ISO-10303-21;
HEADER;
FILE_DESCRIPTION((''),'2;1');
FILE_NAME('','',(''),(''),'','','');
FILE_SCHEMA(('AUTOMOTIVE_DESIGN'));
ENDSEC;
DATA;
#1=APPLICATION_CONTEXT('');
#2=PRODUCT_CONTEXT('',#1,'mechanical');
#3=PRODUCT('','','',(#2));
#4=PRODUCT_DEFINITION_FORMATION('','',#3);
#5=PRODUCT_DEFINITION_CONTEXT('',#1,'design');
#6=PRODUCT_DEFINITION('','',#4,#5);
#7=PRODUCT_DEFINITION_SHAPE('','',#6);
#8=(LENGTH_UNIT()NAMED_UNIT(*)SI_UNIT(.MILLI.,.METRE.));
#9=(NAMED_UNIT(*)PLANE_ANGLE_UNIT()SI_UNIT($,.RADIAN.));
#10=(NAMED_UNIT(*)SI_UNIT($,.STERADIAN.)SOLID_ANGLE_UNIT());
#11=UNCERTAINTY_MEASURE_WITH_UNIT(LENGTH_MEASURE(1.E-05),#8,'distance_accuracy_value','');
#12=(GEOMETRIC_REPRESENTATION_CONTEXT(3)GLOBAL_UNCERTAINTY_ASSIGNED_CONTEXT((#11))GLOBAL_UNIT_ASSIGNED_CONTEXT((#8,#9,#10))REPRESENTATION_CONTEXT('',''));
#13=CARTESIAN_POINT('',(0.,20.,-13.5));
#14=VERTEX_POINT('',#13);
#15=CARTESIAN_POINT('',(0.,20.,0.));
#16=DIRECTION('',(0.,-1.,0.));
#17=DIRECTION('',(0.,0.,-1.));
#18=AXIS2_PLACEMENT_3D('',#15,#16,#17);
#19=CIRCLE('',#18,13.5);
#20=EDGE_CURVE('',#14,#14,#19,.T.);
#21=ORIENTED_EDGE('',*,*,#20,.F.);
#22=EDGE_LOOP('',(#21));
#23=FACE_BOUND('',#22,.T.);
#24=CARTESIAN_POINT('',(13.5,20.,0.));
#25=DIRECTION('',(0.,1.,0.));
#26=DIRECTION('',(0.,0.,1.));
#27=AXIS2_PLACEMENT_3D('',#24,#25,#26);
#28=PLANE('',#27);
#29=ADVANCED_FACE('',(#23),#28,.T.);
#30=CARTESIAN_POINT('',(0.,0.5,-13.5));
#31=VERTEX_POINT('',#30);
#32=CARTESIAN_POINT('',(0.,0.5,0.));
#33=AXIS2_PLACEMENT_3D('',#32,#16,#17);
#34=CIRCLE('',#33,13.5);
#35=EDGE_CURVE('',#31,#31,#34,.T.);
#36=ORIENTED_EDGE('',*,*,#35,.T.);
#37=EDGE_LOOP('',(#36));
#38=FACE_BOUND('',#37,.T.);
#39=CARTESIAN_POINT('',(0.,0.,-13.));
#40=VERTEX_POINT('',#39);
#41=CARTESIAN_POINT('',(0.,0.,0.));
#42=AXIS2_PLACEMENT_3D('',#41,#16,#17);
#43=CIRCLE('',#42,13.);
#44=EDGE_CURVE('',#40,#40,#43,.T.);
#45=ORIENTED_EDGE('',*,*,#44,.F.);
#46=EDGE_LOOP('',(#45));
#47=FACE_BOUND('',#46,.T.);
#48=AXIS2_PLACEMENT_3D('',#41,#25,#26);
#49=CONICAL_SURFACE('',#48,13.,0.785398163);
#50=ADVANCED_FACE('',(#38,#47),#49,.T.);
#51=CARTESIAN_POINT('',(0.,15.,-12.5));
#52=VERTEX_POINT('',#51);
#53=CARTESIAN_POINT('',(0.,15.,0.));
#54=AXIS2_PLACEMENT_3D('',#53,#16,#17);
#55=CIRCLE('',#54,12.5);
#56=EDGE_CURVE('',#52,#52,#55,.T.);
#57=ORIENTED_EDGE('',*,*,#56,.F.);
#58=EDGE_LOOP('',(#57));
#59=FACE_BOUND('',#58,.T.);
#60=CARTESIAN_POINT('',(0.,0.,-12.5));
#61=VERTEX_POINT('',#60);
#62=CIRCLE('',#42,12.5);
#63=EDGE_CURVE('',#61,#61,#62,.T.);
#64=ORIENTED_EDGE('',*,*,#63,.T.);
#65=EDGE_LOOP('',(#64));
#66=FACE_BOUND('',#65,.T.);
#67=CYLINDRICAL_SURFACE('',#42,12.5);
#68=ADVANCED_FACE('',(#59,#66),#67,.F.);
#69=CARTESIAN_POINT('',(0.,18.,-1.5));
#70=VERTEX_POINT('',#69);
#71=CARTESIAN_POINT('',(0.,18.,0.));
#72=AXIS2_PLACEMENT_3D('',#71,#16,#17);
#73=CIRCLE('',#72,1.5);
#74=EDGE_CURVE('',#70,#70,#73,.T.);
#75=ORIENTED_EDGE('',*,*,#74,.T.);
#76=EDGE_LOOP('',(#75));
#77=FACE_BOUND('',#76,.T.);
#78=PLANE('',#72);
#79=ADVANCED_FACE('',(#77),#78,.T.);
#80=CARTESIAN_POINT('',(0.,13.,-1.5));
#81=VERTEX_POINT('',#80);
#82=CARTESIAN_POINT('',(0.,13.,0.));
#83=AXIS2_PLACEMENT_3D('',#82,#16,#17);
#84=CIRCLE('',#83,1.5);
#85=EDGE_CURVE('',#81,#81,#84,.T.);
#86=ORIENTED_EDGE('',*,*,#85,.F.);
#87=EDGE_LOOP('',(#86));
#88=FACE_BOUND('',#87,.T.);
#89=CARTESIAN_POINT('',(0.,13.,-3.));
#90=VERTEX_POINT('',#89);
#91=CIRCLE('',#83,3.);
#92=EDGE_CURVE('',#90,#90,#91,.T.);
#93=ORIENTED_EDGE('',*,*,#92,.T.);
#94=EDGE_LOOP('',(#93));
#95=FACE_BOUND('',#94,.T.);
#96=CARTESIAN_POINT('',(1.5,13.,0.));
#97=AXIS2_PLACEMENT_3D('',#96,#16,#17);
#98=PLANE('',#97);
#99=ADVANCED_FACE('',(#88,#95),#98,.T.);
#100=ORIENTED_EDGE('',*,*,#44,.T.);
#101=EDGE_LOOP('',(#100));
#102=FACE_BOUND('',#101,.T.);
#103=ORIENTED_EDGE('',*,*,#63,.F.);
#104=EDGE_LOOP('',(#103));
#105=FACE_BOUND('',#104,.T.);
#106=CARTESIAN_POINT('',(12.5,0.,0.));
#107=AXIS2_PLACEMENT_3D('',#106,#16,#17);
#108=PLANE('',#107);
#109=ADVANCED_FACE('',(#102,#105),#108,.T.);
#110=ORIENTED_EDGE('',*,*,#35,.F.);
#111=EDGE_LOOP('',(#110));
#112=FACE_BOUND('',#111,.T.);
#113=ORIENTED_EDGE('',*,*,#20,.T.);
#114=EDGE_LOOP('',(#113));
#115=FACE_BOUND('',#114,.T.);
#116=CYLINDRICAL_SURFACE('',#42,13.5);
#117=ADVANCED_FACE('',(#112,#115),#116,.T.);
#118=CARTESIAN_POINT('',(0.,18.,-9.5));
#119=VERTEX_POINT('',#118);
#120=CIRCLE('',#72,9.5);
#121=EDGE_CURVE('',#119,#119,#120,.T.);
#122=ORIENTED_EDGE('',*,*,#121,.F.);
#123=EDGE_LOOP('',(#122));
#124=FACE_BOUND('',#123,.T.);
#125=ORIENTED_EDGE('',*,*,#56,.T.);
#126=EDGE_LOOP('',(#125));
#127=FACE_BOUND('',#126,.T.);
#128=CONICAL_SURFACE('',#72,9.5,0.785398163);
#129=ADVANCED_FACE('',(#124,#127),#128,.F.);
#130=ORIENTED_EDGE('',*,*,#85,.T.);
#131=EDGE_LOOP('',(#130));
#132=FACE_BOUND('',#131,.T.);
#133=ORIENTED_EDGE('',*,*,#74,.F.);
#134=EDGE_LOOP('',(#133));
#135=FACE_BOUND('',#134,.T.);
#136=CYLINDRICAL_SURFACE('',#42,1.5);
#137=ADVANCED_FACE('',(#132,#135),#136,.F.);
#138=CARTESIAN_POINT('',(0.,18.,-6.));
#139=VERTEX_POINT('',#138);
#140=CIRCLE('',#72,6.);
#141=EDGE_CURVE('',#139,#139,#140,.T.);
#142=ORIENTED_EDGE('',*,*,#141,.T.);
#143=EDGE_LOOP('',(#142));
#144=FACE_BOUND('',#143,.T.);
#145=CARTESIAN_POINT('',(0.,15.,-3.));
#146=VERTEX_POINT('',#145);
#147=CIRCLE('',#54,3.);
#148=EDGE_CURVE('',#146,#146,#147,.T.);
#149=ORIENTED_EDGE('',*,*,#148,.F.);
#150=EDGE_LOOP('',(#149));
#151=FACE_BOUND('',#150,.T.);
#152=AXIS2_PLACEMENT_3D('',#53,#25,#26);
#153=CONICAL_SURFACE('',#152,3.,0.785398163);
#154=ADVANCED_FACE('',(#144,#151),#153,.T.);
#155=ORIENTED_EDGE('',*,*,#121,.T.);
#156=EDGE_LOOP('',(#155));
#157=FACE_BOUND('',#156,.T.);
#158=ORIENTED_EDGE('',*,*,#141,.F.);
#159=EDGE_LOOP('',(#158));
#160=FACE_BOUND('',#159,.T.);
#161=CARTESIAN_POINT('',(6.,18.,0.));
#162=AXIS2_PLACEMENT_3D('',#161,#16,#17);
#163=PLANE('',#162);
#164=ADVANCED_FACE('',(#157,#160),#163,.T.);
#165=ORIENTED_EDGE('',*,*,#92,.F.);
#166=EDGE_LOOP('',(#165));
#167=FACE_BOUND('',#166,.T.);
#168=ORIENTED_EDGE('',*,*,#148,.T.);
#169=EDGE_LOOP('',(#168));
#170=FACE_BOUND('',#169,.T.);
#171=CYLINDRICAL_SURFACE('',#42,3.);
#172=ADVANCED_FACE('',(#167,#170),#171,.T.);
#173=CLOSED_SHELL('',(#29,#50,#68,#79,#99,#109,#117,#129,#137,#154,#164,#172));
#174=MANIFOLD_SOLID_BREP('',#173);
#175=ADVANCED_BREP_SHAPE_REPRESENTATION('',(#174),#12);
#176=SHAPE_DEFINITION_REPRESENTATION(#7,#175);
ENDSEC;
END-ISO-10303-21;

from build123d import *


with BuildPart() as part:
    # Sketch2 → Revolve1 (revolve)
    with BuildSketch(Plane.XY, mode=Mode.PRIVATE) as revolve1_sk:
        Polygon((0, 20), (0, 18), (1.5, 18), (1.5, 13), (3, 13), (3, 15), (6, 18), (9.5, 18), (12.5, 15), (12.5, 0), (13, 0), (13.5, 0.5), (13.5, 20), align=None)
    revolve(revolve1_sk.sketch.rotate(Axis((0, 0, 0), (0, 1, 0)), 90), axis=Axis((0, 0, 0), (0, 1, 0)))


solid = part.part
